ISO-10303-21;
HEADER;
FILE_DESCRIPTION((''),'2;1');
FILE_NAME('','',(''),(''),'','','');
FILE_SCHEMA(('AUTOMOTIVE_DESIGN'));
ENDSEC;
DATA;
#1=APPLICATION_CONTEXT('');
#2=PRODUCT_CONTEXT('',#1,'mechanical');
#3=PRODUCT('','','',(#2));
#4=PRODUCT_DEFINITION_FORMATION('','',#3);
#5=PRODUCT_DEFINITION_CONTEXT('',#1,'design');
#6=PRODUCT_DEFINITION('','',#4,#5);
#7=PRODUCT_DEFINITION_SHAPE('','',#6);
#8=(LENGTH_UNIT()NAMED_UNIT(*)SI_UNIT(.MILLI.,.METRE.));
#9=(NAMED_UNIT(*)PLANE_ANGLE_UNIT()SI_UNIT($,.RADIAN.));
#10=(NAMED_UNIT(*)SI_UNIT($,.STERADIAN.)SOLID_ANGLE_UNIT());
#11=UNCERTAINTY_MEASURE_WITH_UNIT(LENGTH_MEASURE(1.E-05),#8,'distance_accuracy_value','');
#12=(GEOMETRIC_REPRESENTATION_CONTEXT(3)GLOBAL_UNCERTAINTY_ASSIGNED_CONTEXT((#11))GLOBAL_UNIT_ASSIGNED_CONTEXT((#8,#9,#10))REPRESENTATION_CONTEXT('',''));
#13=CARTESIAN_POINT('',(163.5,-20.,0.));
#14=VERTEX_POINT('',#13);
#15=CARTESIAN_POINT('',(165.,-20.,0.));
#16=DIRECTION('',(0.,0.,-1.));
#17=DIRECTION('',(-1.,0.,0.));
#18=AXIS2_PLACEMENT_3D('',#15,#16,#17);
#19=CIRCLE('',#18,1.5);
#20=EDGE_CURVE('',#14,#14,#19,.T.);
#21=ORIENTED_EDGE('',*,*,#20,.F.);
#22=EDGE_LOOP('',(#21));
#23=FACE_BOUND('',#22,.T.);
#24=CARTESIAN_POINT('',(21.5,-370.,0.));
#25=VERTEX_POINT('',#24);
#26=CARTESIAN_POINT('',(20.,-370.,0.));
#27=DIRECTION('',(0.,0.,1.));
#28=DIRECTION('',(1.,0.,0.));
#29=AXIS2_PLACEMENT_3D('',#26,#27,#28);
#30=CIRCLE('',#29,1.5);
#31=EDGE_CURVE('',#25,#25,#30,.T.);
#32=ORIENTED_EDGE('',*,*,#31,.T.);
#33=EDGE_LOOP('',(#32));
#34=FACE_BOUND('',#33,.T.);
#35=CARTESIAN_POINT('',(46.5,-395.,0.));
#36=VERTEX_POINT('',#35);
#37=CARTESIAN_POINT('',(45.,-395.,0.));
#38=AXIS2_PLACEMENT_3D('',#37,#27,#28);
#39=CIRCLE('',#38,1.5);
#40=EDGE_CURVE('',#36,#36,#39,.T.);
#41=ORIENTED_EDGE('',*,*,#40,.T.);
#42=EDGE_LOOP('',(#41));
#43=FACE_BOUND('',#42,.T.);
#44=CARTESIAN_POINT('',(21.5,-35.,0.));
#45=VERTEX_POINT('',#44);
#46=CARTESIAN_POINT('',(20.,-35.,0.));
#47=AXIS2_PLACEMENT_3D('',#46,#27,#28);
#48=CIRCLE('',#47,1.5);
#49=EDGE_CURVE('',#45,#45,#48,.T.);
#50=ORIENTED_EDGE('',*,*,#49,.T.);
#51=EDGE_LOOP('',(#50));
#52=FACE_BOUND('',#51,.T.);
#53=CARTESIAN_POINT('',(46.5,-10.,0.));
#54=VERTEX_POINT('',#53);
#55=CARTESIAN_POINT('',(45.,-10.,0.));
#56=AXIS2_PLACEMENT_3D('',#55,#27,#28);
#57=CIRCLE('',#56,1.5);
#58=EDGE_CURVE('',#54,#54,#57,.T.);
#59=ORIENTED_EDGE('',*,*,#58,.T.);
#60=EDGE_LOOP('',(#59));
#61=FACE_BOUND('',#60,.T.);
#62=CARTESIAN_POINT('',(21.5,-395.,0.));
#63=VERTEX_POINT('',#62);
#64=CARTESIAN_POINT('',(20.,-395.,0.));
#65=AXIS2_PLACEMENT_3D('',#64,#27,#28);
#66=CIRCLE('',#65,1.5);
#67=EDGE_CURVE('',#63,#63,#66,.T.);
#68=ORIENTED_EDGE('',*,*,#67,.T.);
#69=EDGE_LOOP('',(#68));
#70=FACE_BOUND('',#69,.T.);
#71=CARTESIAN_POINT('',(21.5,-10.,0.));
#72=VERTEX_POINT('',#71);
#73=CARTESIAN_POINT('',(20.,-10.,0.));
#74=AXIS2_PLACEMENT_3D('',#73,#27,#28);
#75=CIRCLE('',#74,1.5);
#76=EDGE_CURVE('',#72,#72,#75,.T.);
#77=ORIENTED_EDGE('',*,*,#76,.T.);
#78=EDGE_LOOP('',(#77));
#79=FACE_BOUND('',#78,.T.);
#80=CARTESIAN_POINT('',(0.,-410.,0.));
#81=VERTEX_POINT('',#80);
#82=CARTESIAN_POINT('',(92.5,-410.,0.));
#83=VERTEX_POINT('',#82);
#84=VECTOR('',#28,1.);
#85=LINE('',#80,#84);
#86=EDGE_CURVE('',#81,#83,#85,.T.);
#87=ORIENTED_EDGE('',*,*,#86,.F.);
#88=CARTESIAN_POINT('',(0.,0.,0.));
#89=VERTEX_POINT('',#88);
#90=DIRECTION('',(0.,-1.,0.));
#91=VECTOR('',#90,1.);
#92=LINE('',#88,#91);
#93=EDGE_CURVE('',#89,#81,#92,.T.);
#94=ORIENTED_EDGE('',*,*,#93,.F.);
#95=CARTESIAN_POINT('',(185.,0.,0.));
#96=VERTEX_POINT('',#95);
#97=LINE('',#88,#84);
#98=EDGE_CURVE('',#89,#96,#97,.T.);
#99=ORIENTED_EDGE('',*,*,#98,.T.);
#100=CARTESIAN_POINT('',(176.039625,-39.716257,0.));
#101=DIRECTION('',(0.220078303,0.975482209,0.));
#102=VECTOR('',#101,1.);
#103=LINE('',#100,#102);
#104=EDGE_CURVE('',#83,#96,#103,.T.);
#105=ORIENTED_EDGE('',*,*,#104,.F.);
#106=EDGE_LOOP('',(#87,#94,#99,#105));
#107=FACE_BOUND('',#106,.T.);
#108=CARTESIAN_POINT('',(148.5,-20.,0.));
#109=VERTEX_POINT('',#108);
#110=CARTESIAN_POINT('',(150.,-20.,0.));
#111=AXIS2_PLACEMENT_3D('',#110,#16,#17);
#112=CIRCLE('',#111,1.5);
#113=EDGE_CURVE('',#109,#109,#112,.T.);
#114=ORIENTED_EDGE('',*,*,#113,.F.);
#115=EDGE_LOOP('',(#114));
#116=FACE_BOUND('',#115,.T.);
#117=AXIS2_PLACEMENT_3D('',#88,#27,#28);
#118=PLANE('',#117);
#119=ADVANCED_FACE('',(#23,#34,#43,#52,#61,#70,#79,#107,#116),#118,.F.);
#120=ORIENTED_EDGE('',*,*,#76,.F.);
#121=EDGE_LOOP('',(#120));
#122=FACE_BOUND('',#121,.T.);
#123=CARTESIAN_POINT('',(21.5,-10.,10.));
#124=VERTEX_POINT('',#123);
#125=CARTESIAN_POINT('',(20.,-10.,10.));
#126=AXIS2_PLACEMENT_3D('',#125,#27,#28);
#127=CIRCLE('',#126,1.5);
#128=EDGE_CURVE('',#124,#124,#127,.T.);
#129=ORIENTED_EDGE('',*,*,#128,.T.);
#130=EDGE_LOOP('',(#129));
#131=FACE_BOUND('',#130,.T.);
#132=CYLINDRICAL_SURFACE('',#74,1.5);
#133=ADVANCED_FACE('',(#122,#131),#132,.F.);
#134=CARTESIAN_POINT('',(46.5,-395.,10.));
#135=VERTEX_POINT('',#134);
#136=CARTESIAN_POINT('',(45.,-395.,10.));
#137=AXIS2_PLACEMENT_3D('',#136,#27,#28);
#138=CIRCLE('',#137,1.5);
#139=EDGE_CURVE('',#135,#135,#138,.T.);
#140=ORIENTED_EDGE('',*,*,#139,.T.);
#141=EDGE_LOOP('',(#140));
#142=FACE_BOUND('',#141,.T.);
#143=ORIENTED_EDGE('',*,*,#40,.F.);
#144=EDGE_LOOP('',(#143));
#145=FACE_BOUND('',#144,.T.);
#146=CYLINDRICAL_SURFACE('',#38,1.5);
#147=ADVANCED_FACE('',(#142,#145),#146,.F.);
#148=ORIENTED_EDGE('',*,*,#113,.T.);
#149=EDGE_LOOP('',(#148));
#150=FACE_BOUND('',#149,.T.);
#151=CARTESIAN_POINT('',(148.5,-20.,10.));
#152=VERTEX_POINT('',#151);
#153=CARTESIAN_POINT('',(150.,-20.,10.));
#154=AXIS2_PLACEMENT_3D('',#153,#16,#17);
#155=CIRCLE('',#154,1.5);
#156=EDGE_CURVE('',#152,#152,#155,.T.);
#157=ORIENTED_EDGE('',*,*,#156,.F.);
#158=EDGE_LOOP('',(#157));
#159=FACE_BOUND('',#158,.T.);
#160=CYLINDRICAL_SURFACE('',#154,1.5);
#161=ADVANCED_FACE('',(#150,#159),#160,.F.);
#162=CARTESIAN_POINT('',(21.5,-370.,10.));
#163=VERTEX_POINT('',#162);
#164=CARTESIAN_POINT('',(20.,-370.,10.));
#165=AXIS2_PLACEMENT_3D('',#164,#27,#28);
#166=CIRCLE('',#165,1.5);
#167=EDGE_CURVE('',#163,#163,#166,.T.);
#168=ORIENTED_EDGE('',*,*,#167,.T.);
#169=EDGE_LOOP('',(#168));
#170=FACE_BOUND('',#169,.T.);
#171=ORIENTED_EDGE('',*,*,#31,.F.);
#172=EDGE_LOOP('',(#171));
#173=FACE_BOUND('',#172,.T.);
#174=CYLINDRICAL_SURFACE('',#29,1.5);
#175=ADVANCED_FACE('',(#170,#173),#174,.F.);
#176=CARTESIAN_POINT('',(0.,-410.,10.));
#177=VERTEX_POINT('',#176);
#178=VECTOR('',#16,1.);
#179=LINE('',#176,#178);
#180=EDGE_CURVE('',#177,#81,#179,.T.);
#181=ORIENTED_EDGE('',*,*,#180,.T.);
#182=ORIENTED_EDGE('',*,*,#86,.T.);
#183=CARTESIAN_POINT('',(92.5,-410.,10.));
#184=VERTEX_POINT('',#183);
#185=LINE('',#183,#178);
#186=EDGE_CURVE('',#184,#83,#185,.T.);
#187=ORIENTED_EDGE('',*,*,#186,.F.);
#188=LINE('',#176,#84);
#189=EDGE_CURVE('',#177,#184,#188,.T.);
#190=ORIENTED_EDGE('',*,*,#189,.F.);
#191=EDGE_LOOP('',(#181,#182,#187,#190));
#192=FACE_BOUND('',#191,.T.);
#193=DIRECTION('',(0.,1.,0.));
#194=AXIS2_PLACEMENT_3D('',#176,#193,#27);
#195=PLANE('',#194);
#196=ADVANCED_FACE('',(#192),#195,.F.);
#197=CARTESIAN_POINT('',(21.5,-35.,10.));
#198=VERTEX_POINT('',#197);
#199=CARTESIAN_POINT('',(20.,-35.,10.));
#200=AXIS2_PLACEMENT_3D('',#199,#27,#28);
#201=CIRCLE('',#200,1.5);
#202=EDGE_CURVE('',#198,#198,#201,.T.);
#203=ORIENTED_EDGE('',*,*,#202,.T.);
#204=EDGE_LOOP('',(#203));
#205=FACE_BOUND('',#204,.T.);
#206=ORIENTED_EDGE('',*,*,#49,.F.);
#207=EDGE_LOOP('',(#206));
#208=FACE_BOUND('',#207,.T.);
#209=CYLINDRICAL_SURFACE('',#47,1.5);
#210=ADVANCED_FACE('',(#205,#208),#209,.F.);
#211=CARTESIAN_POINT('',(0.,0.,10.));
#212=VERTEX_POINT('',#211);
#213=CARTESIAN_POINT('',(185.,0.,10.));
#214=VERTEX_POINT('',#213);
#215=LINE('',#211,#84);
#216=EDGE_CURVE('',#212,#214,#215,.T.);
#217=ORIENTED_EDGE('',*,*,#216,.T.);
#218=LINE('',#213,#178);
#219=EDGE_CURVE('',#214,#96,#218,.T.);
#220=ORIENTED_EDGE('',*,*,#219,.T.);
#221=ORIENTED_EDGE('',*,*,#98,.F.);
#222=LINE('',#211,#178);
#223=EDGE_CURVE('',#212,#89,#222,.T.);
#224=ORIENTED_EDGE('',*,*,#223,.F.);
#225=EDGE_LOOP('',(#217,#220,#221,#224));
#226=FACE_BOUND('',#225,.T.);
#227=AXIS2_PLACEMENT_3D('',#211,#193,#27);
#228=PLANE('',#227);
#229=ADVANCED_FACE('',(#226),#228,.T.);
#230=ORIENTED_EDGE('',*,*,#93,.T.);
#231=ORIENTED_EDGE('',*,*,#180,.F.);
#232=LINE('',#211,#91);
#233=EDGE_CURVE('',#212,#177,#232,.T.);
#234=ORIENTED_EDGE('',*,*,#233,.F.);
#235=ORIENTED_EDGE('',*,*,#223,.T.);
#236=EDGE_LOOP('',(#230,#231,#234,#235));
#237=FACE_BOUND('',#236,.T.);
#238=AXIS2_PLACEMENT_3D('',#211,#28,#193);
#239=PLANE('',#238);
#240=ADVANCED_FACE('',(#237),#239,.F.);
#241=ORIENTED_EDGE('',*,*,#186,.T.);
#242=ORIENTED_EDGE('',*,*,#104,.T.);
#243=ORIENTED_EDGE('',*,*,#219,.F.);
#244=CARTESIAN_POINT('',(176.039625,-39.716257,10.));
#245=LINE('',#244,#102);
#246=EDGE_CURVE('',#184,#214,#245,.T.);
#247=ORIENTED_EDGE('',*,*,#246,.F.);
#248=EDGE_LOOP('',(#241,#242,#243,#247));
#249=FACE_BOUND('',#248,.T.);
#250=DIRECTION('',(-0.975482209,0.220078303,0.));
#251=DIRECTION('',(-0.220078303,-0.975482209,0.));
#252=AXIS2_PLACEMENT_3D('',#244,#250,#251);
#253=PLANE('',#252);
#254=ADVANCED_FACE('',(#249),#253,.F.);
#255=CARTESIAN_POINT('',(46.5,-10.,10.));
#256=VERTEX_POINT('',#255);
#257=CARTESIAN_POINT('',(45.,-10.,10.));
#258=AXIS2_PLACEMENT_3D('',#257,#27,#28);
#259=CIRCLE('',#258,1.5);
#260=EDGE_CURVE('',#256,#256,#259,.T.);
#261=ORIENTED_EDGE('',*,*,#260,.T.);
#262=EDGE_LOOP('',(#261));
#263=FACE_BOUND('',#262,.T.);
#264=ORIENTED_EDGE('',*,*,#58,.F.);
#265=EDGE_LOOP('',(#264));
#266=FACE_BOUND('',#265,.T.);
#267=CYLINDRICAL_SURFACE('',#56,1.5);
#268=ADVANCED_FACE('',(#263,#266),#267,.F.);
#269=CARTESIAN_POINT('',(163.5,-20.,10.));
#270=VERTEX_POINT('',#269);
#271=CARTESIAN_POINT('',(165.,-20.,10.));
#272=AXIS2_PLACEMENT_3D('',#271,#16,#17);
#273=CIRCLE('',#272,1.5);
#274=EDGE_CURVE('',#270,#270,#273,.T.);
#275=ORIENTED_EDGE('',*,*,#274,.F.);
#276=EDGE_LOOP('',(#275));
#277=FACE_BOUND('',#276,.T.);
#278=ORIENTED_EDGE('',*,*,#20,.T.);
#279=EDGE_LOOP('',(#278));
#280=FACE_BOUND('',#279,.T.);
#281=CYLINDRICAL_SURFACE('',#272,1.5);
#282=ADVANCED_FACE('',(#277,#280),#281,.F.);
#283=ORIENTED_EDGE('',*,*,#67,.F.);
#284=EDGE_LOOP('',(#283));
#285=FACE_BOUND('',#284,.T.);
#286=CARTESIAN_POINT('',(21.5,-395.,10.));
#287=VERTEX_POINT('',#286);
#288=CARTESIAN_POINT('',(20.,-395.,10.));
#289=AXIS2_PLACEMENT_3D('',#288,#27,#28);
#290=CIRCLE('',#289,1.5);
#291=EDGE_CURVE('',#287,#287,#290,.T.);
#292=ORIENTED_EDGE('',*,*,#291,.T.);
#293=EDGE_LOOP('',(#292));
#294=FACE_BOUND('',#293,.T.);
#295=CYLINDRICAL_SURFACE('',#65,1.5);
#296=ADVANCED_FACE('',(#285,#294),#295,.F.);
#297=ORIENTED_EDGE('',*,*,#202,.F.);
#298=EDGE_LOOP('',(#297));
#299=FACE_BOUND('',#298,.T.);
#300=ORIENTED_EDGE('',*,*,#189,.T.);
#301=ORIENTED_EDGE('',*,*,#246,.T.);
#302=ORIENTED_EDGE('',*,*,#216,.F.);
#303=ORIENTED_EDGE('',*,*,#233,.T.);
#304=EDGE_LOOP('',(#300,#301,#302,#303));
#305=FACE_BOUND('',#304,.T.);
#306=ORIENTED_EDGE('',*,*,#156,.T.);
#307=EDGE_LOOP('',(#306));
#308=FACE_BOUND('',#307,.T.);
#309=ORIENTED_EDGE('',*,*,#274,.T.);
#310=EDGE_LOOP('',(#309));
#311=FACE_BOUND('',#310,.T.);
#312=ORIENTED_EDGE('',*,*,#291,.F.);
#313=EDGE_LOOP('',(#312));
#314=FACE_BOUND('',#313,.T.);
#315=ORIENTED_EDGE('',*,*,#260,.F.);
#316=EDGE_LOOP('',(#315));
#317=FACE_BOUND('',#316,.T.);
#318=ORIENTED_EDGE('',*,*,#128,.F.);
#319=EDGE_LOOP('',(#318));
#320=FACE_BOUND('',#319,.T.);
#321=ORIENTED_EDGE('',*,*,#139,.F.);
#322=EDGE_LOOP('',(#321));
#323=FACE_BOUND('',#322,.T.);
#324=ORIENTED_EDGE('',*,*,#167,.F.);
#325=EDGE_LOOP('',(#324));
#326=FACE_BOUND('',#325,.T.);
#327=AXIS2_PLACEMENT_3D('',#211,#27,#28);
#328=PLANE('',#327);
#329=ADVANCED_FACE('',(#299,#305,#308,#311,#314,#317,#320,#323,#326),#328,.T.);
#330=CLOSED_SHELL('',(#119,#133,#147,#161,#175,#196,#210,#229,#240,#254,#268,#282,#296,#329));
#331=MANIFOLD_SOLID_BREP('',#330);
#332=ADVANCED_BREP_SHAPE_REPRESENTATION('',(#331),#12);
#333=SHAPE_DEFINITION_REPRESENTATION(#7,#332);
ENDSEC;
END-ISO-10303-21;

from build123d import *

# Parameters (mm, degrees)
EXTRUDE_1_DEPTH     = 10
SKETCH_2_R          = 1.5
CUT_EXTRUDE_1_DEPTH = 10
SKETCH_3_R          = 1.5
CUT_EXTRUDE_2_DEPTH = 10


with BuildPart() as part:
    # 草图1 → 凸台-拉伸1 (new body)
    with BuildSketch(Plane.XY):
        Polygon((185, 0), (0, 0), (0, -400), (0, -410), (92.5, -410), align=None)
    extrude(amount=EXTRUDE_1_DEPTH)

    # 草图2 → 切除-拉伸1 (cut)
    with BuildSketch(Plane.XY.offset(10)):
        with Locations((20, -35)):
            Circle(SKETCH_2_R)
        with Locations((45, -10)):
            Circle(SKETCH_2_R)
        with Locations((20, -10)):
            Circle(SKETCH_2_R)
        with Locations((45, -395)):
            Circle(SKETCH_2_R)
        with Locations((20, -395)):
            Circle(SKETCH_2_R)
        with Locations((20, -370)):
            Circle(SKETCH_2_R)
    extrude(amount=-CUT_EXTRUDE_1_DEPTH, mode=Mode.SUBTRACT)

    # 草图3 → 切除-拉伸2 (cut)
    with BuildSketch(Plane(origin=(0, 0, 0), x_dir=(-1, 0, 0), z_dir=(0, 0, -1))):
        with Locations((-165, -20)):
            Circle(SKETCH_3_R)
        with Locations((-150, -20)):
            Circle(SKETCH_3_R)
    extrude(amount=-CUT_EXTRUDE_2_DEPTH, mode=Mode.SUBTRACT)


solid = part.part
